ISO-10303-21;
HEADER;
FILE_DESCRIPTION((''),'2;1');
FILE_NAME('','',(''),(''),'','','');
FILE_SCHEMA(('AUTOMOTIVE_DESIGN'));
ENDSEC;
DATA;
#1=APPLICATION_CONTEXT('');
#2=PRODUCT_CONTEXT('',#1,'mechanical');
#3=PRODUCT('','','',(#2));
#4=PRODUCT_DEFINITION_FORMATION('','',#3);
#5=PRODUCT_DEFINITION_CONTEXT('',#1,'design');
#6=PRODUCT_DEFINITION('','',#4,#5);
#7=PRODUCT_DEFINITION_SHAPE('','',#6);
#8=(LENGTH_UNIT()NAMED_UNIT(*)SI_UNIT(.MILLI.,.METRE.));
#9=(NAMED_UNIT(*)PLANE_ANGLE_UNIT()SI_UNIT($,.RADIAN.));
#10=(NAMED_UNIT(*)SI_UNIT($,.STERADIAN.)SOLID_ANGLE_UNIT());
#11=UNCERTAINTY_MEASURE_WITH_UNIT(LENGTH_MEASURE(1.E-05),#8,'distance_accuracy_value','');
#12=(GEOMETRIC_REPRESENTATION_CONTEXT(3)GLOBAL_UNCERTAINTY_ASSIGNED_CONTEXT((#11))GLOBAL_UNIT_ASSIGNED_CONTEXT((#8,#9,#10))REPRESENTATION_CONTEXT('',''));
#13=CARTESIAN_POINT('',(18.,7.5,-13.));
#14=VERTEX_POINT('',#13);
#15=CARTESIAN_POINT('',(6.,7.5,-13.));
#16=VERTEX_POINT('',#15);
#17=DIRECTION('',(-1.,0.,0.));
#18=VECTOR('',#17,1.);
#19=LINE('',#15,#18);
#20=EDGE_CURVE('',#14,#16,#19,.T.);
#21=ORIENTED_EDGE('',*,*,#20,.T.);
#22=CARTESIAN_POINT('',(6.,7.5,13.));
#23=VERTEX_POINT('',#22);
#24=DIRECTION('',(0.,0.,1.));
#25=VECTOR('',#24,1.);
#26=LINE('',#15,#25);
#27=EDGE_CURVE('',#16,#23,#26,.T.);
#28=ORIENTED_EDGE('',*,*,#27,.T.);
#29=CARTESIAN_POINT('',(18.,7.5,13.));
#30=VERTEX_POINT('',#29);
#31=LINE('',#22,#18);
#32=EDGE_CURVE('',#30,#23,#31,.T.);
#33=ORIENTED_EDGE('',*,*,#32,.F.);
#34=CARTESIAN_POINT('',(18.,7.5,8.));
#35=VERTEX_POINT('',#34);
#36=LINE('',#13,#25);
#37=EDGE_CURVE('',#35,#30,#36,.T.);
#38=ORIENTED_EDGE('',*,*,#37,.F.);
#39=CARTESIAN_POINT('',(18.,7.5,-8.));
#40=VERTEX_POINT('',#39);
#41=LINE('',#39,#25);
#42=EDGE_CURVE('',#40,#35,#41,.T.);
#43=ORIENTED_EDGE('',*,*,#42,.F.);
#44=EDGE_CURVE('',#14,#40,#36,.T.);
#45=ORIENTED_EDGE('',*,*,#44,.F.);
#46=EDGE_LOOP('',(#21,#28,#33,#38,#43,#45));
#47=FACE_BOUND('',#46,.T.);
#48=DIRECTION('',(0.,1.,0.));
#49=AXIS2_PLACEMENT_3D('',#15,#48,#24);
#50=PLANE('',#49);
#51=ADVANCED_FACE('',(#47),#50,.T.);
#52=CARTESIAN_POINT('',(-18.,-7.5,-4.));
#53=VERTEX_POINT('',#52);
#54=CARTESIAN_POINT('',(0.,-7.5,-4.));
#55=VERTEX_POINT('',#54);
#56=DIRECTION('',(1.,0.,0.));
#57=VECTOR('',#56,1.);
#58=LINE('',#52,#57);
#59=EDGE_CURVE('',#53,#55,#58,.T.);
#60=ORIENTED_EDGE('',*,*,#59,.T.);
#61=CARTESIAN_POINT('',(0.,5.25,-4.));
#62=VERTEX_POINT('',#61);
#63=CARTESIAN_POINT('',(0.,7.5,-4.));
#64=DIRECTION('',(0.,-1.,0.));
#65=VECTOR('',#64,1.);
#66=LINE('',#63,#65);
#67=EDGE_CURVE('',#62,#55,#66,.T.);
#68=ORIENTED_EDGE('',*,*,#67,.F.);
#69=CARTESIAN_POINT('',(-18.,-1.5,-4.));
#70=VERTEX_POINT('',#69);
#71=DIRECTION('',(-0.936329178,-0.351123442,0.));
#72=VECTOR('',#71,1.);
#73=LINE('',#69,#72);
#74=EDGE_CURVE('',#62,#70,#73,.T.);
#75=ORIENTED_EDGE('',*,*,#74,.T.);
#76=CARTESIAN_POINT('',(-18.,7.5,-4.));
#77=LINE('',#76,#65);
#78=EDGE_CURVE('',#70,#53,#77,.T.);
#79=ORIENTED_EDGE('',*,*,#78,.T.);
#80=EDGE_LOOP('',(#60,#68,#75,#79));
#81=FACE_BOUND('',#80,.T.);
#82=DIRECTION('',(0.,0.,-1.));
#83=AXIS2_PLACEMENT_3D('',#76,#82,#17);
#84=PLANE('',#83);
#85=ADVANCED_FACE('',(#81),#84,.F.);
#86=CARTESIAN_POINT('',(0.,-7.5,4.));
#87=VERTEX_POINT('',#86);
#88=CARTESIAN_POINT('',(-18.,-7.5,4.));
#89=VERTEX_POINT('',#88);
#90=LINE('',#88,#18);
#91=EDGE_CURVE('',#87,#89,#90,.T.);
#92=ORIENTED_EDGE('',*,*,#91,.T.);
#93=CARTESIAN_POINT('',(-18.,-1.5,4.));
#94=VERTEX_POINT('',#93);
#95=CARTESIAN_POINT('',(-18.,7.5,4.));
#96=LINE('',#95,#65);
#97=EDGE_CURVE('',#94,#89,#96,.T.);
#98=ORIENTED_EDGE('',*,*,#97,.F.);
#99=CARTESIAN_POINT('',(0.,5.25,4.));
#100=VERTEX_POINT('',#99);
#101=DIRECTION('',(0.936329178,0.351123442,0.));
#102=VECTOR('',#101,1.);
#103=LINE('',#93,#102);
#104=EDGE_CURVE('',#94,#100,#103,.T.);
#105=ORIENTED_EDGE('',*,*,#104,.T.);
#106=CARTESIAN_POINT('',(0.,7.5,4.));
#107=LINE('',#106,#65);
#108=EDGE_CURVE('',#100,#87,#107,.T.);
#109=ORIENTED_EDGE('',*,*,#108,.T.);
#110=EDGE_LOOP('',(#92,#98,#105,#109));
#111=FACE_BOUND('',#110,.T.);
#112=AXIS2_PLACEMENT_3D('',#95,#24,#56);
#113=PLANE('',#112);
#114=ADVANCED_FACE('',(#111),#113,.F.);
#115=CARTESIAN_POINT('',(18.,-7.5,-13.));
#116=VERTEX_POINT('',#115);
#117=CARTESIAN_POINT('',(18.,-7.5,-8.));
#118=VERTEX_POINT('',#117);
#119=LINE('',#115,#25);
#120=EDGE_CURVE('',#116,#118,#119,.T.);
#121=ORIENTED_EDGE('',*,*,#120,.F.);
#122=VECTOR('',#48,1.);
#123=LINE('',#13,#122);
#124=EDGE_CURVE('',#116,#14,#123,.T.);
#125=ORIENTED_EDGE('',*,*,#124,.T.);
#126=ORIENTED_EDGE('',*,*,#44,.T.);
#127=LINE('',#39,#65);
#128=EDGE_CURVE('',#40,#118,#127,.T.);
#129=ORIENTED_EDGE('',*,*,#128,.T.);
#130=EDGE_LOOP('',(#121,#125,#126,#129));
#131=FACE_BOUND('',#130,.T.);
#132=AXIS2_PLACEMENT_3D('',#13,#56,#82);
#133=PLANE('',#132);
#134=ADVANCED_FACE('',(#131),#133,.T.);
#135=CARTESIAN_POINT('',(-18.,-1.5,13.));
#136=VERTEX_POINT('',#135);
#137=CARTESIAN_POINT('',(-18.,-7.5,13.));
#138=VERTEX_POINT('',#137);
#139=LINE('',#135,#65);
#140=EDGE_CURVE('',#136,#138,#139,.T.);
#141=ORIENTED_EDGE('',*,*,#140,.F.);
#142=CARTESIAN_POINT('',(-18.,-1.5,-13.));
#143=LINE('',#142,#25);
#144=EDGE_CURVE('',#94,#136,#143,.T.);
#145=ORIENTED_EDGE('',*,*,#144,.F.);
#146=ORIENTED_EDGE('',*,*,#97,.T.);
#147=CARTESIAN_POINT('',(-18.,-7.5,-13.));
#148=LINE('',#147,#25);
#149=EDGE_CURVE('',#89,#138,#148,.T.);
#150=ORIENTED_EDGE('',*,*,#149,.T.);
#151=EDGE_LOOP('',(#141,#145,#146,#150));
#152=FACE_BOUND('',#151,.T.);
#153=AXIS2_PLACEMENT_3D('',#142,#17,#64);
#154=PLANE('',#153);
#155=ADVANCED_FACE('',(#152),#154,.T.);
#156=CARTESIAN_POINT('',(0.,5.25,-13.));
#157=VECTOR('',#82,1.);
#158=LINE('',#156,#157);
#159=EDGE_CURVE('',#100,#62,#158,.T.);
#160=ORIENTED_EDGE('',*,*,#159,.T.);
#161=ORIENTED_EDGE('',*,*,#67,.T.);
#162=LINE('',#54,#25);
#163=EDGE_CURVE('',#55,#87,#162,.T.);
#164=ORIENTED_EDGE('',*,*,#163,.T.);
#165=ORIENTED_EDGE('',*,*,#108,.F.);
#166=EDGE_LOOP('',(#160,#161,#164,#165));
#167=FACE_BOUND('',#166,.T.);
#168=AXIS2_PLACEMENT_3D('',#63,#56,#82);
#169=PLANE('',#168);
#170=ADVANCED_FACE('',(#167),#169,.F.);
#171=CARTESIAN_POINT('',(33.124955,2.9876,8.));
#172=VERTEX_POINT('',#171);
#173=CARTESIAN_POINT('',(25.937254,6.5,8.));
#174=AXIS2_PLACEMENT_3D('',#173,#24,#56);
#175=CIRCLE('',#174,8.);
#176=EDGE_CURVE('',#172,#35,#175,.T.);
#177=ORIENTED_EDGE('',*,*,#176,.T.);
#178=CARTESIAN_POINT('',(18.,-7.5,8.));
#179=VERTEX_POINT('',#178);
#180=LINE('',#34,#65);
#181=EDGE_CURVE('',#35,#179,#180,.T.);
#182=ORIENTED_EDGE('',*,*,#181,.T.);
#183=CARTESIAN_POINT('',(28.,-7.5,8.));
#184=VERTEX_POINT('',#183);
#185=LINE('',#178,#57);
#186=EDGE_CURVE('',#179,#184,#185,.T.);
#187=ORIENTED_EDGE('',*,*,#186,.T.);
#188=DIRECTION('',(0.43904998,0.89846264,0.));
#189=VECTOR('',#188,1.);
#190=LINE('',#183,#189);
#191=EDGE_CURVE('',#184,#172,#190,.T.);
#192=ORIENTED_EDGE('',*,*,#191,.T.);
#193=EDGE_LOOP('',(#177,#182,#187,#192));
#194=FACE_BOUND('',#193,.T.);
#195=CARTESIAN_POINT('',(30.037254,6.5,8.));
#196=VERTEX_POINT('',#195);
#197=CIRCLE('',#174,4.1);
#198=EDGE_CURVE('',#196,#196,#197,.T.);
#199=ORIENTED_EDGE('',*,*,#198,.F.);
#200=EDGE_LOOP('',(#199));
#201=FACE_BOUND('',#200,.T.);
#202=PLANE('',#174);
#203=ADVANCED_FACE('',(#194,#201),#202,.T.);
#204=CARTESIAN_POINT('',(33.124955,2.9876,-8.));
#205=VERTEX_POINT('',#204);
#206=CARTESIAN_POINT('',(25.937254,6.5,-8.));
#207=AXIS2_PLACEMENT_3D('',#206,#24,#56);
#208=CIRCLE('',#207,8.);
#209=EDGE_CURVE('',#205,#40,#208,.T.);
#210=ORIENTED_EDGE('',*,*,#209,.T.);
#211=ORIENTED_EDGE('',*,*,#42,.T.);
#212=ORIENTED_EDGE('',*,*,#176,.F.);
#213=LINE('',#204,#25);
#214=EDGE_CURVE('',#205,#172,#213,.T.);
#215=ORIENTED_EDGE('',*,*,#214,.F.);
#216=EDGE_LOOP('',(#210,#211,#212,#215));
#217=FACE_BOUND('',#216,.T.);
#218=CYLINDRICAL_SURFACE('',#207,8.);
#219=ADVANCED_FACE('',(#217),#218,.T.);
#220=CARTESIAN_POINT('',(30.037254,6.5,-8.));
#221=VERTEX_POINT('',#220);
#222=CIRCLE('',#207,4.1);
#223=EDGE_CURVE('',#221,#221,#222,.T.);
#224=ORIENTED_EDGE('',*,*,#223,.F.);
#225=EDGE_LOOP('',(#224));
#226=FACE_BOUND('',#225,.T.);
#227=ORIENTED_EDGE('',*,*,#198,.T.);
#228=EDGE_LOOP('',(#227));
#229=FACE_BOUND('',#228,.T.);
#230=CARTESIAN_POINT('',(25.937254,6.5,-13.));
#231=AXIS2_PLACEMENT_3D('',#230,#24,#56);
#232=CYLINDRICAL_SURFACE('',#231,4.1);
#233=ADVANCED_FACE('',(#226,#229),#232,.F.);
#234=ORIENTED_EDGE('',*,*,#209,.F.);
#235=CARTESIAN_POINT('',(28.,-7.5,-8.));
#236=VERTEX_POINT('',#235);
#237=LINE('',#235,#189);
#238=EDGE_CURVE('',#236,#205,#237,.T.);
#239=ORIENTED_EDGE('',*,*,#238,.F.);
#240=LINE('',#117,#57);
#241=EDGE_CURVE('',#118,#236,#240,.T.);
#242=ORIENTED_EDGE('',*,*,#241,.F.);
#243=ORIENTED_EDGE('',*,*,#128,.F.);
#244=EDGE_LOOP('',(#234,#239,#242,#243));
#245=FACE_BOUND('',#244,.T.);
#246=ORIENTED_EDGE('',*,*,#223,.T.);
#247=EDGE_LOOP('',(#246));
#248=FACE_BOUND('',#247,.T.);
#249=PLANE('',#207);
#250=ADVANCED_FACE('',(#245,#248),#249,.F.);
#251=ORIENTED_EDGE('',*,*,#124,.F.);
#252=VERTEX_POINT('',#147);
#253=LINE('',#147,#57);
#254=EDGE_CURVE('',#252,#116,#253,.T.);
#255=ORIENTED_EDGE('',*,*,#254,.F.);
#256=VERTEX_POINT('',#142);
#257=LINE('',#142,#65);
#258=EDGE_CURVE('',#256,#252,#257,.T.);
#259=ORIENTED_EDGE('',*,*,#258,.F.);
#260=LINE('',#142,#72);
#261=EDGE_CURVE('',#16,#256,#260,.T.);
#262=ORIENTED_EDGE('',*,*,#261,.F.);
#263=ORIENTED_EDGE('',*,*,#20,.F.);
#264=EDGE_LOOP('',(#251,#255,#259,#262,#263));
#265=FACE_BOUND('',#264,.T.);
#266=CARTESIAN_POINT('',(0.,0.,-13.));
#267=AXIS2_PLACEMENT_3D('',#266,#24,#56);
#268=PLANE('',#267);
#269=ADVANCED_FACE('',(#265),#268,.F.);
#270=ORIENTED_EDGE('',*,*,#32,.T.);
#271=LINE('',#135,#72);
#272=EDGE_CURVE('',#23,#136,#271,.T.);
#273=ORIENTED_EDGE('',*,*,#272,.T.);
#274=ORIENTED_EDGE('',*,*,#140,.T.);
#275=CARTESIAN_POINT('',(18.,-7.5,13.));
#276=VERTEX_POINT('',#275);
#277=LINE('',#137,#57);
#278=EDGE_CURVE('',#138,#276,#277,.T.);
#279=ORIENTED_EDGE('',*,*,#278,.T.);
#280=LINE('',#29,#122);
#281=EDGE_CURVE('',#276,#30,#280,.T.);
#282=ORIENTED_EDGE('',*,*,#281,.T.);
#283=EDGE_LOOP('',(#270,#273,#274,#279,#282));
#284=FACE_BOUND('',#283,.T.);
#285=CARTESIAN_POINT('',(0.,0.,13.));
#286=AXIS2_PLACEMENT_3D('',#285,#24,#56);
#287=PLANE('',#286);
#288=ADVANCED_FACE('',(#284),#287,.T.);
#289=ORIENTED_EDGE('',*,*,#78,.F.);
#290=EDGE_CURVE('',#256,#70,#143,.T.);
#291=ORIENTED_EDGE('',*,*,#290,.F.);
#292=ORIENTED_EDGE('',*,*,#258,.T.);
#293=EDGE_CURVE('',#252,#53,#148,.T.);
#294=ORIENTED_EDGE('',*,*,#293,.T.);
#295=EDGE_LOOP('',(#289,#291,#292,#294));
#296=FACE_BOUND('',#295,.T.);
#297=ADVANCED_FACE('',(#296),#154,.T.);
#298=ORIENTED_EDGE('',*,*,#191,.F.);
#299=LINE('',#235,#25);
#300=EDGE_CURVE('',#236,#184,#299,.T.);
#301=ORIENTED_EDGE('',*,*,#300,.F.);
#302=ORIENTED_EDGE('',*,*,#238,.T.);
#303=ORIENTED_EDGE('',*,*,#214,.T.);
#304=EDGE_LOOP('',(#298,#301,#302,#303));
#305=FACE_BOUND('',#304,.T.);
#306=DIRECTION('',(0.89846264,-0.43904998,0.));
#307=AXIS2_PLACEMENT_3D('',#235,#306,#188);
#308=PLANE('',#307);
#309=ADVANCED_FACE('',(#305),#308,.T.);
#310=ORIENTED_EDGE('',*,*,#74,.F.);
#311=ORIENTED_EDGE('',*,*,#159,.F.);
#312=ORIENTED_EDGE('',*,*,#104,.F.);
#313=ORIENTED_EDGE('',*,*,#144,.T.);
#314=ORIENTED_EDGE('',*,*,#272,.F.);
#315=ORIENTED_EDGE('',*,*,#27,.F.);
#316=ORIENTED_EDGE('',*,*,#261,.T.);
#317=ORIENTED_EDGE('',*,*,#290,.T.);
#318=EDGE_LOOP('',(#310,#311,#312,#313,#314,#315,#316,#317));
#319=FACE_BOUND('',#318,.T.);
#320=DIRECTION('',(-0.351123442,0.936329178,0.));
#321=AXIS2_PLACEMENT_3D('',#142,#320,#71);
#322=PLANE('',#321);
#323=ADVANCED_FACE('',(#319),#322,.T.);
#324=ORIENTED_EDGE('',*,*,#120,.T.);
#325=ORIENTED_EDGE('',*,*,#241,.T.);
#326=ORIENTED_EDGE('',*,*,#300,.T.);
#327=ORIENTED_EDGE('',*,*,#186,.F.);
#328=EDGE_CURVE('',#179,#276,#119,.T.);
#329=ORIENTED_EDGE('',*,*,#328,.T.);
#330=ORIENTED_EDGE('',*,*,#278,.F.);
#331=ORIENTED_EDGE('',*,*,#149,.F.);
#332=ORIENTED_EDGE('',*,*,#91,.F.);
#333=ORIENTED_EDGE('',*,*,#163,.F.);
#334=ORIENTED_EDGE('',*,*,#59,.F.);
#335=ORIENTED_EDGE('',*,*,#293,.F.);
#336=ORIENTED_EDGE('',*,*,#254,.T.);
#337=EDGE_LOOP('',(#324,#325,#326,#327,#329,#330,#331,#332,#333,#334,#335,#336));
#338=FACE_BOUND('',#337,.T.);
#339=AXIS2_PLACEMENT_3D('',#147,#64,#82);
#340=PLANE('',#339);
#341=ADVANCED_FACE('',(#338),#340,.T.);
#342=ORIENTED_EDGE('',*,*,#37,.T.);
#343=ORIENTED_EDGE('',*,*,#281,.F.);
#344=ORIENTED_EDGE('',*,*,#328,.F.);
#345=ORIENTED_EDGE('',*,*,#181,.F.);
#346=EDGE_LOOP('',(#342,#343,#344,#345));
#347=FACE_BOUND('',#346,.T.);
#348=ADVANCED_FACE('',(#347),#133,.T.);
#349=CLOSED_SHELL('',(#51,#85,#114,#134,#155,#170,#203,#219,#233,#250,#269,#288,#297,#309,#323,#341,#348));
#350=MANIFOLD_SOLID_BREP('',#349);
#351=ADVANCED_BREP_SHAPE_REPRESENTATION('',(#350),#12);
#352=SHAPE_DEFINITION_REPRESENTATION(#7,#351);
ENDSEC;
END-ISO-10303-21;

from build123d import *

# Parameters (mm, degrees)
BOSS_EXTRUDE2_DEPTH      = 13
BOSS_EXTRUDE2_DEPTH_BACK = 13
SKETCH3_W                = 18
SKETCH3_H                = 8
CUT_EXTRUDE2_DEPTH       = 27.795522014
BOSS_EXTRUDE3_DEPTH      = 8
BOSS_EXTRUDE3_DEPTH_BACK = 8
SKETCH5_R                = 4.1
CUT_EXTRUDE3_DEPTH       = 43.46159682


with BuildPart() as part:
    # Sketch1 → Boss-Extrude2 (new, two sides: drawn at the far end of the back side and taken through both)
    with BuildSketch(Plane.XY.offset(-BOSS_EXTRUDE2_DEPTH_BACK)):
        Polygon((-18, -1.5), (6, 7.5), (18, 7.5), (18, -7.5), (-18, -7.5), align=None)
    extrude(amount=BOSS_EXTRUDE2_DEPTH + BOSS_EXTRUDE2_DEPTH_BACK)

    # Sketch3 → Cut-Extrude2 (cut, through all)
    with BuildSketch(Plane.XZ.offset(7.5)):
        with Locations((-9, 0)):
            Rectangle(SKETCH3_W, SKETCH3_H)
    extrude(amount=-CUT_EXTRUDE2_DEPTH, mode=Mode.SUBTRACT)

    # Sketch4 → Boss-Extrude3 (add, two sides: drawn at the far end of the back side and taken through both)
    with BuildSketch(Plane.XY.offset(-BOSS_EXTRUDE3_DEPTH_BACK)):
        with BuildLine():
            Line((18, 7.5), (18, -7.5))
            Line((18, -7.5), (28, -7.5))
            Line((28, -7.5), (33.12495505, 2.987600158))
            ThreePointArc((33.12495505, 2.987600158), (28.224369024, 14.166101001), (18, 7.5))
        make_face()
    extrude(amount=BOSS_EXTRUDE3_DEPTH + BOSS_EXTRUDE3_DEPTH_BACK)

    # Sketch5 → Cut-Extrude3 (cut, through all)
    with BuildSketch(Plane.XY.offset(8)):
        with Locations((25.937253933, 6.5)):
            Circle(SKETCH5_R)
    extrude(amount=-CUT_EXTRUDE3_DEPTH, mode=Mode.SUBTRACT)


solid = part.part
